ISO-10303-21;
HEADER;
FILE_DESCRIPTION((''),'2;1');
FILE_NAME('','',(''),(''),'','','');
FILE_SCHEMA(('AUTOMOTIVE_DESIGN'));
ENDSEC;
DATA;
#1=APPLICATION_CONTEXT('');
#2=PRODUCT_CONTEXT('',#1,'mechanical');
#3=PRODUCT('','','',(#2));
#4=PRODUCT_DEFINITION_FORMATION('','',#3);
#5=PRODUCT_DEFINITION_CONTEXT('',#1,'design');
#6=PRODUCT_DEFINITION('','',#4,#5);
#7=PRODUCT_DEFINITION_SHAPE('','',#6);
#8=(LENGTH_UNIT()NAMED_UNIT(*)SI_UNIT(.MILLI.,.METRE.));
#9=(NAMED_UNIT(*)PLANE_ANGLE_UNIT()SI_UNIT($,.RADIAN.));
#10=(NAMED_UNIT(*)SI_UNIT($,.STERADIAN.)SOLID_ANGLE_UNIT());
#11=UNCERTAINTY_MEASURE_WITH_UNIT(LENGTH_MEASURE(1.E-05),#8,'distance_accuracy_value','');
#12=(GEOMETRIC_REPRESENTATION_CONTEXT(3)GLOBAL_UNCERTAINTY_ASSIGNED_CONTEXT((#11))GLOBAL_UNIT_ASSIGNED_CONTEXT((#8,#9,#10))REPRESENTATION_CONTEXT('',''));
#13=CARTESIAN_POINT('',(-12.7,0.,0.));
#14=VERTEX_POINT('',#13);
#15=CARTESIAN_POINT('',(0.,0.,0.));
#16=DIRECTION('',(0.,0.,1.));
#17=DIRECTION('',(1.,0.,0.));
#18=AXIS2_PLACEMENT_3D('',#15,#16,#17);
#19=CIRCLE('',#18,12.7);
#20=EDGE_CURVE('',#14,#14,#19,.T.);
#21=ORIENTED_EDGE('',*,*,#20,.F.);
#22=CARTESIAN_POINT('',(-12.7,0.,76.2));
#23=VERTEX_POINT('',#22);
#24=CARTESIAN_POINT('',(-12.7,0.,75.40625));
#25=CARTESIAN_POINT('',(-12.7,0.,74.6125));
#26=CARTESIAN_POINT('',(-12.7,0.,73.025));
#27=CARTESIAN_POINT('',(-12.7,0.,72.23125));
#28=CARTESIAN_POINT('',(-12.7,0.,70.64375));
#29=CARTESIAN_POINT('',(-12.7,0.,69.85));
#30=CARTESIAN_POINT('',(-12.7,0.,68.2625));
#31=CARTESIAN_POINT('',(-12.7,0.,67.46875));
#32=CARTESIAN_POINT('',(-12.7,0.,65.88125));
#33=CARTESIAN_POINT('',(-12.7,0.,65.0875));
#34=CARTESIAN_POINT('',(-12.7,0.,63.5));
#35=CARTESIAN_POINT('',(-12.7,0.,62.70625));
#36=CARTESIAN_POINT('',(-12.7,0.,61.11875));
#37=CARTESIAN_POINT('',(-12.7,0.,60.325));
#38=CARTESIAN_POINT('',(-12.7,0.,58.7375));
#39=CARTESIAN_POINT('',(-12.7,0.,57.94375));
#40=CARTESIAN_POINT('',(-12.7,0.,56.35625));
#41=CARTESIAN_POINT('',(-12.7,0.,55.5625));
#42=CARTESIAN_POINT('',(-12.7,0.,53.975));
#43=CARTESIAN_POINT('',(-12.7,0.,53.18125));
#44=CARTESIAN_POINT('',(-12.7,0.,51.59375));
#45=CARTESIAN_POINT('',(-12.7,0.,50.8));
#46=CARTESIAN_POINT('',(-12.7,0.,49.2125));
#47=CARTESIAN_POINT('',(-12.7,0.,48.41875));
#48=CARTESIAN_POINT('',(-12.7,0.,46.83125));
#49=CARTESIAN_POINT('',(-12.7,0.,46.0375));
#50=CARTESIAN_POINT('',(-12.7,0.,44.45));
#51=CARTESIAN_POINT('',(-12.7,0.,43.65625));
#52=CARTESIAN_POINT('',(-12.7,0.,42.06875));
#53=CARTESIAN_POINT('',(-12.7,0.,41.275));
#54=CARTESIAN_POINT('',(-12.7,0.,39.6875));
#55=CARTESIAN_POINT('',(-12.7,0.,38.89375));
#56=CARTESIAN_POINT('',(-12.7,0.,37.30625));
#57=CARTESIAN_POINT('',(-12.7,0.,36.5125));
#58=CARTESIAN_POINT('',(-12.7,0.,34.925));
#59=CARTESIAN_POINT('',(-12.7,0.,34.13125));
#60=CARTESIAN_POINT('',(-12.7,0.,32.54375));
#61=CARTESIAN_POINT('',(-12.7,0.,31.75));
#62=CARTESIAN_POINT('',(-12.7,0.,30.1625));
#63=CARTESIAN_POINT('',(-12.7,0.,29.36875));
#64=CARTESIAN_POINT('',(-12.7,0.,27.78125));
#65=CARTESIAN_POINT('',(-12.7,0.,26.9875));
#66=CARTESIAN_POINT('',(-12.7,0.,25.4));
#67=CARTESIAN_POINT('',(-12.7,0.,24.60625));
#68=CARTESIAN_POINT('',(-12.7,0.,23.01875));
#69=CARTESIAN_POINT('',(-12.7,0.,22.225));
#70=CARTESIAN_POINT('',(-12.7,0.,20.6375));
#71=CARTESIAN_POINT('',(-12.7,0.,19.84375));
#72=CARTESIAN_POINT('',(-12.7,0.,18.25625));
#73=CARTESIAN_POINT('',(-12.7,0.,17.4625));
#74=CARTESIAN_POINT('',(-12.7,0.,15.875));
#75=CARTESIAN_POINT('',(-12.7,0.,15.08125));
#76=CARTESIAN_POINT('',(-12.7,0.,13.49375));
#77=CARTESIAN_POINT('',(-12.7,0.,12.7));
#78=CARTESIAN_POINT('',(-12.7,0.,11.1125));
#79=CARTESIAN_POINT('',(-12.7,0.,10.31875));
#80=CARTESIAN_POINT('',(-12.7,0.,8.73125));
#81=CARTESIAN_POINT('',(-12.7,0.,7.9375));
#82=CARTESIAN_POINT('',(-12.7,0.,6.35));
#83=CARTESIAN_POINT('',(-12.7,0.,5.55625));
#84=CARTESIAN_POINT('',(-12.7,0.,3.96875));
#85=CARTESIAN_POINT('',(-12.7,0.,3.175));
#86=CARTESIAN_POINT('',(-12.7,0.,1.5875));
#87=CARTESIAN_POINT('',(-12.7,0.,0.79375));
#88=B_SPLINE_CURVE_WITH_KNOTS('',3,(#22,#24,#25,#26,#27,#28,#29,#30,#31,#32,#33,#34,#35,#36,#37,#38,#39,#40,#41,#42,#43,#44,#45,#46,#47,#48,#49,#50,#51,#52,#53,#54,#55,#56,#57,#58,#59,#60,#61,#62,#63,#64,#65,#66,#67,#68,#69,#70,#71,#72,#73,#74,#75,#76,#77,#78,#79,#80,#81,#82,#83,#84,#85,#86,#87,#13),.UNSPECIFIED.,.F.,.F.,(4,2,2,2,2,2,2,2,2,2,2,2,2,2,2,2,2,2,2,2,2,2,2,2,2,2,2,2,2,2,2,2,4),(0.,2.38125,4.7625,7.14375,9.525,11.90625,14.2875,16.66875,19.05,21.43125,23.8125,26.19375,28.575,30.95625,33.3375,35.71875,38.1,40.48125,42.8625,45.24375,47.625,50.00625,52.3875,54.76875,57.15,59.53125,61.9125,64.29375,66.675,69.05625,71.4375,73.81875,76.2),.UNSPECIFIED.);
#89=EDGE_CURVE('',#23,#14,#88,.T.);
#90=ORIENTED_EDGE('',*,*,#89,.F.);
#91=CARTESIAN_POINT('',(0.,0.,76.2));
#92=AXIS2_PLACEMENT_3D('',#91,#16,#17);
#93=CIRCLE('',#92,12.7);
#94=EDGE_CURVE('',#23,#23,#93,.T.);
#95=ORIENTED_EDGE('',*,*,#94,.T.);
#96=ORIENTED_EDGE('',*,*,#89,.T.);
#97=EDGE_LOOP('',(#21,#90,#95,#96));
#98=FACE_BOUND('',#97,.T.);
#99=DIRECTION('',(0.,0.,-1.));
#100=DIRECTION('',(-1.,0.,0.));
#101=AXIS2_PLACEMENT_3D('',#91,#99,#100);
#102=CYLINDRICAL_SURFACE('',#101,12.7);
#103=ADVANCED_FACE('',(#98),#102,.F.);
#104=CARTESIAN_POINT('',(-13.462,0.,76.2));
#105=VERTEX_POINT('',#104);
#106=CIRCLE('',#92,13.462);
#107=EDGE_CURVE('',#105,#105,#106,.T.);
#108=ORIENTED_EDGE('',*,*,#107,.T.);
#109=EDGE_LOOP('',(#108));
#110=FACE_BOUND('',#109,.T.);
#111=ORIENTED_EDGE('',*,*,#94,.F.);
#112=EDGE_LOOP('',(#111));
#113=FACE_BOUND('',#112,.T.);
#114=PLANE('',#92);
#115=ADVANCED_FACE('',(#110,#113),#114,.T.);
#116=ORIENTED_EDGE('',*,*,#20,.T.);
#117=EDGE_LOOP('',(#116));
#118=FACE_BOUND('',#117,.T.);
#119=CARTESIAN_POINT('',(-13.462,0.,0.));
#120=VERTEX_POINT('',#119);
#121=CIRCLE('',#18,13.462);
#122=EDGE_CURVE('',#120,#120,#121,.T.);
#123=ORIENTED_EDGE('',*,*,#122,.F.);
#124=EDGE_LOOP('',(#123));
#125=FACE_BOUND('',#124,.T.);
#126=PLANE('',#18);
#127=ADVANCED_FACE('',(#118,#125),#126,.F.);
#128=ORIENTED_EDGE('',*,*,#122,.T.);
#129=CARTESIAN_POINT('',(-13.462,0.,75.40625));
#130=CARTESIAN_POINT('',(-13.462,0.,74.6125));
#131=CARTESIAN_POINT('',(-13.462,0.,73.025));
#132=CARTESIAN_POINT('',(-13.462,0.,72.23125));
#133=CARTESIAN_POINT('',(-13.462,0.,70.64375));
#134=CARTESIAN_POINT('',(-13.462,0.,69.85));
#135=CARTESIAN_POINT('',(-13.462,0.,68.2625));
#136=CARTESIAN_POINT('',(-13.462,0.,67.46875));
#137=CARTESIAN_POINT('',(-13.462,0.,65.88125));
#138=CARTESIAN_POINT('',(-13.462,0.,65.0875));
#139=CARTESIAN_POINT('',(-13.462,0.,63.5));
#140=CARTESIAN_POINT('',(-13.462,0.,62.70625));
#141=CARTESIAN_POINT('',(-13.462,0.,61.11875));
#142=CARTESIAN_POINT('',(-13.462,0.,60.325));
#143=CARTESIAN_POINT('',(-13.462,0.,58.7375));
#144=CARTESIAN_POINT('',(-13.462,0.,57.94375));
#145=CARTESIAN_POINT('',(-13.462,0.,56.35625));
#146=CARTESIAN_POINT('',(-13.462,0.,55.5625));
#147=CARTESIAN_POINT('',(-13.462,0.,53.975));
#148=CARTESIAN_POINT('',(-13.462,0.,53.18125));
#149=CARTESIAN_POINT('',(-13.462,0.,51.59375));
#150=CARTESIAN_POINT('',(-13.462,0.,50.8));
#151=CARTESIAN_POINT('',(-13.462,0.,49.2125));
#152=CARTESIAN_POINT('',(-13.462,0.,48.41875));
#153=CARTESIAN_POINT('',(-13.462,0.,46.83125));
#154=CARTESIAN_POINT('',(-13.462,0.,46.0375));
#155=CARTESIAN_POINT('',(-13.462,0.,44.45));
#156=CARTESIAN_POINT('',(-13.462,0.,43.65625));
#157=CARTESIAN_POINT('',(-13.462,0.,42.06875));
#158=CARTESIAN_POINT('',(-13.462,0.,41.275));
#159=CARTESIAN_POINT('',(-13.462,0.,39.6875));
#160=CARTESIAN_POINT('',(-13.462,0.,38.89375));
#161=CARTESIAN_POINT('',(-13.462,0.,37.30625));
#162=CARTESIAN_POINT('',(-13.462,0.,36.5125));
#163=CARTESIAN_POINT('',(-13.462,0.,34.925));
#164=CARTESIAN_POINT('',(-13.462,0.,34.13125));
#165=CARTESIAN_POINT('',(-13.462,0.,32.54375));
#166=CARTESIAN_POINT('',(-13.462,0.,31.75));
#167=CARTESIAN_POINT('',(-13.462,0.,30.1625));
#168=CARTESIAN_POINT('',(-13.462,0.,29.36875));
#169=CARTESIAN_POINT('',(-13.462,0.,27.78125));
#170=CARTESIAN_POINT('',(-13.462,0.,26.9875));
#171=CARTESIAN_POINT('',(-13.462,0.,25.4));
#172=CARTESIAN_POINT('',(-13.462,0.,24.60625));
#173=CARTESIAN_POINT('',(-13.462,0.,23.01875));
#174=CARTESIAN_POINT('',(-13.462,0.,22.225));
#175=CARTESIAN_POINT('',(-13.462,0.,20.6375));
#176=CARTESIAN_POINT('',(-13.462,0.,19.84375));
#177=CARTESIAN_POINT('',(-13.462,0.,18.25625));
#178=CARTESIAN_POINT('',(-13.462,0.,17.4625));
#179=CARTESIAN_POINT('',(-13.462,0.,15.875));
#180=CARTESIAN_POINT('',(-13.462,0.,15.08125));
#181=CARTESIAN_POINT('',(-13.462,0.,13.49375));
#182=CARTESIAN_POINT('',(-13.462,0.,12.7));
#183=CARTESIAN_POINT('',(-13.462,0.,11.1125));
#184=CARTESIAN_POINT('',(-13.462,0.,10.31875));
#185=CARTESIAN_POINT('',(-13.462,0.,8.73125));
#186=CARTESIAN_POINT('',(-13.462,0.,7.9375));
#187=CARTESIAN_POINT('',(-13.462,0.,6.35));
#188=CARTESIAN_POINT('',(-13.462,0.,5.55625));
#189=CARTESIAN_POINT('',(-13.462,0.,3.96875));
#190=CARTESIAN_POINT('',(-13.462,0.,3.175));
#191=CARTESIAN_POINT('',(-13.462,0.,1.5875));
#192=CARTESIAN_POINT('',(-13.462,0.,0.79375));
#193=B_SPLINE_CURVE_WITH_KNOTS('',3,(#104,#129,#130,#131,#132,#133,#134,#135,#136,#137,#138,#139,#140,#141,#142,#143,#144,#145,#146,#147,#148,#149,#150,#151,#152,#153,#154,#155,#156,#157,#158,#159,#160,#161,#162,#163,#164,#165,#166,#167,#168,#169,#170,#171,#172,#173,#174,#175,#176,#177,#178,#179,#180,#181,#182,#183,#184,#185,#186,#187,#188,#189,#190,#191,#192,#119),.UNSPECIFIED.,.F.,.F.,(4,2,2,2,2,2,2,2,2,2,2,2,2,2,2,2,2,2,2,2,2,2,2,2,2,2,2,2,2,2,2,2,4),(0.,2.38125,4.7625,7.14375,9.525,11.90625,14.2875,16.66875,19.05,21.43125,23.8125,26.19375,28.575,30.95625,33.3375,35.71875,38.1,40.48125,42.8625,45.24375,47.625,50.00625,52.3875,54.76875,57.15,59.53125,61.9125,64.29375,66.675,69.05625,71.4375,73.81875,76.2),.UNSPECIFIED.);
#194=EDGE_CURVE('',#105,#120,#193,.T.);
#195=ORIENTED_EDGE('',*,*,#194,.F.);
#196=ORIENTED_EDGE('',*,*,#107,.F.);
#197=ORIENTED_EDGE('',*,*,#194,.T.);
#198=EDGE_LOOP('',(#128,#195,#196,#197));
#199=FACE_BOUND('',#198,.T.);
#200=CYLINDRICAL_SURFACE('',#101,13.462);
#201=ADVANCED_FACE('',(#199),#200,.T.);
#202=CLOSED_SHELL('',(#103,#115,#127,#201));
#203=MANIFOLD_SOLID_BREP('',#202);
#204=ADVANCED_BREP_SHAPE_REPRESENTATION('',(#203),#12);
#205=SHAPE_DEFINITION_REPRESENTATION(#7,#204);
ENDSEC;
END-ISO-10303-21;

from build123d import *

# Parameters (mm, degrees)
SKETCH1_R           = 13.462
SKETCH1_R_2         = 12.7
BOSS_EXTRUDE1_DEPTH = 76.2


with BuildPart() as part:
    # Sketch1 → Boss-Extrude1 (new body)
    with BuildSketch(Plane.XY):
        with Locations(Location((0, 0, 0), (0, 0, 180))):
            Circle(SKETCH1_R)
        with Locations(Location((0, 0, 0), (0, 0, 180))):
            Circle(SKETCH1_R_2, mode=Mode.SUBTRACT)
    extrude(amount=BOSS_EXTRUDE1_DEPTH)


solid = part.part
